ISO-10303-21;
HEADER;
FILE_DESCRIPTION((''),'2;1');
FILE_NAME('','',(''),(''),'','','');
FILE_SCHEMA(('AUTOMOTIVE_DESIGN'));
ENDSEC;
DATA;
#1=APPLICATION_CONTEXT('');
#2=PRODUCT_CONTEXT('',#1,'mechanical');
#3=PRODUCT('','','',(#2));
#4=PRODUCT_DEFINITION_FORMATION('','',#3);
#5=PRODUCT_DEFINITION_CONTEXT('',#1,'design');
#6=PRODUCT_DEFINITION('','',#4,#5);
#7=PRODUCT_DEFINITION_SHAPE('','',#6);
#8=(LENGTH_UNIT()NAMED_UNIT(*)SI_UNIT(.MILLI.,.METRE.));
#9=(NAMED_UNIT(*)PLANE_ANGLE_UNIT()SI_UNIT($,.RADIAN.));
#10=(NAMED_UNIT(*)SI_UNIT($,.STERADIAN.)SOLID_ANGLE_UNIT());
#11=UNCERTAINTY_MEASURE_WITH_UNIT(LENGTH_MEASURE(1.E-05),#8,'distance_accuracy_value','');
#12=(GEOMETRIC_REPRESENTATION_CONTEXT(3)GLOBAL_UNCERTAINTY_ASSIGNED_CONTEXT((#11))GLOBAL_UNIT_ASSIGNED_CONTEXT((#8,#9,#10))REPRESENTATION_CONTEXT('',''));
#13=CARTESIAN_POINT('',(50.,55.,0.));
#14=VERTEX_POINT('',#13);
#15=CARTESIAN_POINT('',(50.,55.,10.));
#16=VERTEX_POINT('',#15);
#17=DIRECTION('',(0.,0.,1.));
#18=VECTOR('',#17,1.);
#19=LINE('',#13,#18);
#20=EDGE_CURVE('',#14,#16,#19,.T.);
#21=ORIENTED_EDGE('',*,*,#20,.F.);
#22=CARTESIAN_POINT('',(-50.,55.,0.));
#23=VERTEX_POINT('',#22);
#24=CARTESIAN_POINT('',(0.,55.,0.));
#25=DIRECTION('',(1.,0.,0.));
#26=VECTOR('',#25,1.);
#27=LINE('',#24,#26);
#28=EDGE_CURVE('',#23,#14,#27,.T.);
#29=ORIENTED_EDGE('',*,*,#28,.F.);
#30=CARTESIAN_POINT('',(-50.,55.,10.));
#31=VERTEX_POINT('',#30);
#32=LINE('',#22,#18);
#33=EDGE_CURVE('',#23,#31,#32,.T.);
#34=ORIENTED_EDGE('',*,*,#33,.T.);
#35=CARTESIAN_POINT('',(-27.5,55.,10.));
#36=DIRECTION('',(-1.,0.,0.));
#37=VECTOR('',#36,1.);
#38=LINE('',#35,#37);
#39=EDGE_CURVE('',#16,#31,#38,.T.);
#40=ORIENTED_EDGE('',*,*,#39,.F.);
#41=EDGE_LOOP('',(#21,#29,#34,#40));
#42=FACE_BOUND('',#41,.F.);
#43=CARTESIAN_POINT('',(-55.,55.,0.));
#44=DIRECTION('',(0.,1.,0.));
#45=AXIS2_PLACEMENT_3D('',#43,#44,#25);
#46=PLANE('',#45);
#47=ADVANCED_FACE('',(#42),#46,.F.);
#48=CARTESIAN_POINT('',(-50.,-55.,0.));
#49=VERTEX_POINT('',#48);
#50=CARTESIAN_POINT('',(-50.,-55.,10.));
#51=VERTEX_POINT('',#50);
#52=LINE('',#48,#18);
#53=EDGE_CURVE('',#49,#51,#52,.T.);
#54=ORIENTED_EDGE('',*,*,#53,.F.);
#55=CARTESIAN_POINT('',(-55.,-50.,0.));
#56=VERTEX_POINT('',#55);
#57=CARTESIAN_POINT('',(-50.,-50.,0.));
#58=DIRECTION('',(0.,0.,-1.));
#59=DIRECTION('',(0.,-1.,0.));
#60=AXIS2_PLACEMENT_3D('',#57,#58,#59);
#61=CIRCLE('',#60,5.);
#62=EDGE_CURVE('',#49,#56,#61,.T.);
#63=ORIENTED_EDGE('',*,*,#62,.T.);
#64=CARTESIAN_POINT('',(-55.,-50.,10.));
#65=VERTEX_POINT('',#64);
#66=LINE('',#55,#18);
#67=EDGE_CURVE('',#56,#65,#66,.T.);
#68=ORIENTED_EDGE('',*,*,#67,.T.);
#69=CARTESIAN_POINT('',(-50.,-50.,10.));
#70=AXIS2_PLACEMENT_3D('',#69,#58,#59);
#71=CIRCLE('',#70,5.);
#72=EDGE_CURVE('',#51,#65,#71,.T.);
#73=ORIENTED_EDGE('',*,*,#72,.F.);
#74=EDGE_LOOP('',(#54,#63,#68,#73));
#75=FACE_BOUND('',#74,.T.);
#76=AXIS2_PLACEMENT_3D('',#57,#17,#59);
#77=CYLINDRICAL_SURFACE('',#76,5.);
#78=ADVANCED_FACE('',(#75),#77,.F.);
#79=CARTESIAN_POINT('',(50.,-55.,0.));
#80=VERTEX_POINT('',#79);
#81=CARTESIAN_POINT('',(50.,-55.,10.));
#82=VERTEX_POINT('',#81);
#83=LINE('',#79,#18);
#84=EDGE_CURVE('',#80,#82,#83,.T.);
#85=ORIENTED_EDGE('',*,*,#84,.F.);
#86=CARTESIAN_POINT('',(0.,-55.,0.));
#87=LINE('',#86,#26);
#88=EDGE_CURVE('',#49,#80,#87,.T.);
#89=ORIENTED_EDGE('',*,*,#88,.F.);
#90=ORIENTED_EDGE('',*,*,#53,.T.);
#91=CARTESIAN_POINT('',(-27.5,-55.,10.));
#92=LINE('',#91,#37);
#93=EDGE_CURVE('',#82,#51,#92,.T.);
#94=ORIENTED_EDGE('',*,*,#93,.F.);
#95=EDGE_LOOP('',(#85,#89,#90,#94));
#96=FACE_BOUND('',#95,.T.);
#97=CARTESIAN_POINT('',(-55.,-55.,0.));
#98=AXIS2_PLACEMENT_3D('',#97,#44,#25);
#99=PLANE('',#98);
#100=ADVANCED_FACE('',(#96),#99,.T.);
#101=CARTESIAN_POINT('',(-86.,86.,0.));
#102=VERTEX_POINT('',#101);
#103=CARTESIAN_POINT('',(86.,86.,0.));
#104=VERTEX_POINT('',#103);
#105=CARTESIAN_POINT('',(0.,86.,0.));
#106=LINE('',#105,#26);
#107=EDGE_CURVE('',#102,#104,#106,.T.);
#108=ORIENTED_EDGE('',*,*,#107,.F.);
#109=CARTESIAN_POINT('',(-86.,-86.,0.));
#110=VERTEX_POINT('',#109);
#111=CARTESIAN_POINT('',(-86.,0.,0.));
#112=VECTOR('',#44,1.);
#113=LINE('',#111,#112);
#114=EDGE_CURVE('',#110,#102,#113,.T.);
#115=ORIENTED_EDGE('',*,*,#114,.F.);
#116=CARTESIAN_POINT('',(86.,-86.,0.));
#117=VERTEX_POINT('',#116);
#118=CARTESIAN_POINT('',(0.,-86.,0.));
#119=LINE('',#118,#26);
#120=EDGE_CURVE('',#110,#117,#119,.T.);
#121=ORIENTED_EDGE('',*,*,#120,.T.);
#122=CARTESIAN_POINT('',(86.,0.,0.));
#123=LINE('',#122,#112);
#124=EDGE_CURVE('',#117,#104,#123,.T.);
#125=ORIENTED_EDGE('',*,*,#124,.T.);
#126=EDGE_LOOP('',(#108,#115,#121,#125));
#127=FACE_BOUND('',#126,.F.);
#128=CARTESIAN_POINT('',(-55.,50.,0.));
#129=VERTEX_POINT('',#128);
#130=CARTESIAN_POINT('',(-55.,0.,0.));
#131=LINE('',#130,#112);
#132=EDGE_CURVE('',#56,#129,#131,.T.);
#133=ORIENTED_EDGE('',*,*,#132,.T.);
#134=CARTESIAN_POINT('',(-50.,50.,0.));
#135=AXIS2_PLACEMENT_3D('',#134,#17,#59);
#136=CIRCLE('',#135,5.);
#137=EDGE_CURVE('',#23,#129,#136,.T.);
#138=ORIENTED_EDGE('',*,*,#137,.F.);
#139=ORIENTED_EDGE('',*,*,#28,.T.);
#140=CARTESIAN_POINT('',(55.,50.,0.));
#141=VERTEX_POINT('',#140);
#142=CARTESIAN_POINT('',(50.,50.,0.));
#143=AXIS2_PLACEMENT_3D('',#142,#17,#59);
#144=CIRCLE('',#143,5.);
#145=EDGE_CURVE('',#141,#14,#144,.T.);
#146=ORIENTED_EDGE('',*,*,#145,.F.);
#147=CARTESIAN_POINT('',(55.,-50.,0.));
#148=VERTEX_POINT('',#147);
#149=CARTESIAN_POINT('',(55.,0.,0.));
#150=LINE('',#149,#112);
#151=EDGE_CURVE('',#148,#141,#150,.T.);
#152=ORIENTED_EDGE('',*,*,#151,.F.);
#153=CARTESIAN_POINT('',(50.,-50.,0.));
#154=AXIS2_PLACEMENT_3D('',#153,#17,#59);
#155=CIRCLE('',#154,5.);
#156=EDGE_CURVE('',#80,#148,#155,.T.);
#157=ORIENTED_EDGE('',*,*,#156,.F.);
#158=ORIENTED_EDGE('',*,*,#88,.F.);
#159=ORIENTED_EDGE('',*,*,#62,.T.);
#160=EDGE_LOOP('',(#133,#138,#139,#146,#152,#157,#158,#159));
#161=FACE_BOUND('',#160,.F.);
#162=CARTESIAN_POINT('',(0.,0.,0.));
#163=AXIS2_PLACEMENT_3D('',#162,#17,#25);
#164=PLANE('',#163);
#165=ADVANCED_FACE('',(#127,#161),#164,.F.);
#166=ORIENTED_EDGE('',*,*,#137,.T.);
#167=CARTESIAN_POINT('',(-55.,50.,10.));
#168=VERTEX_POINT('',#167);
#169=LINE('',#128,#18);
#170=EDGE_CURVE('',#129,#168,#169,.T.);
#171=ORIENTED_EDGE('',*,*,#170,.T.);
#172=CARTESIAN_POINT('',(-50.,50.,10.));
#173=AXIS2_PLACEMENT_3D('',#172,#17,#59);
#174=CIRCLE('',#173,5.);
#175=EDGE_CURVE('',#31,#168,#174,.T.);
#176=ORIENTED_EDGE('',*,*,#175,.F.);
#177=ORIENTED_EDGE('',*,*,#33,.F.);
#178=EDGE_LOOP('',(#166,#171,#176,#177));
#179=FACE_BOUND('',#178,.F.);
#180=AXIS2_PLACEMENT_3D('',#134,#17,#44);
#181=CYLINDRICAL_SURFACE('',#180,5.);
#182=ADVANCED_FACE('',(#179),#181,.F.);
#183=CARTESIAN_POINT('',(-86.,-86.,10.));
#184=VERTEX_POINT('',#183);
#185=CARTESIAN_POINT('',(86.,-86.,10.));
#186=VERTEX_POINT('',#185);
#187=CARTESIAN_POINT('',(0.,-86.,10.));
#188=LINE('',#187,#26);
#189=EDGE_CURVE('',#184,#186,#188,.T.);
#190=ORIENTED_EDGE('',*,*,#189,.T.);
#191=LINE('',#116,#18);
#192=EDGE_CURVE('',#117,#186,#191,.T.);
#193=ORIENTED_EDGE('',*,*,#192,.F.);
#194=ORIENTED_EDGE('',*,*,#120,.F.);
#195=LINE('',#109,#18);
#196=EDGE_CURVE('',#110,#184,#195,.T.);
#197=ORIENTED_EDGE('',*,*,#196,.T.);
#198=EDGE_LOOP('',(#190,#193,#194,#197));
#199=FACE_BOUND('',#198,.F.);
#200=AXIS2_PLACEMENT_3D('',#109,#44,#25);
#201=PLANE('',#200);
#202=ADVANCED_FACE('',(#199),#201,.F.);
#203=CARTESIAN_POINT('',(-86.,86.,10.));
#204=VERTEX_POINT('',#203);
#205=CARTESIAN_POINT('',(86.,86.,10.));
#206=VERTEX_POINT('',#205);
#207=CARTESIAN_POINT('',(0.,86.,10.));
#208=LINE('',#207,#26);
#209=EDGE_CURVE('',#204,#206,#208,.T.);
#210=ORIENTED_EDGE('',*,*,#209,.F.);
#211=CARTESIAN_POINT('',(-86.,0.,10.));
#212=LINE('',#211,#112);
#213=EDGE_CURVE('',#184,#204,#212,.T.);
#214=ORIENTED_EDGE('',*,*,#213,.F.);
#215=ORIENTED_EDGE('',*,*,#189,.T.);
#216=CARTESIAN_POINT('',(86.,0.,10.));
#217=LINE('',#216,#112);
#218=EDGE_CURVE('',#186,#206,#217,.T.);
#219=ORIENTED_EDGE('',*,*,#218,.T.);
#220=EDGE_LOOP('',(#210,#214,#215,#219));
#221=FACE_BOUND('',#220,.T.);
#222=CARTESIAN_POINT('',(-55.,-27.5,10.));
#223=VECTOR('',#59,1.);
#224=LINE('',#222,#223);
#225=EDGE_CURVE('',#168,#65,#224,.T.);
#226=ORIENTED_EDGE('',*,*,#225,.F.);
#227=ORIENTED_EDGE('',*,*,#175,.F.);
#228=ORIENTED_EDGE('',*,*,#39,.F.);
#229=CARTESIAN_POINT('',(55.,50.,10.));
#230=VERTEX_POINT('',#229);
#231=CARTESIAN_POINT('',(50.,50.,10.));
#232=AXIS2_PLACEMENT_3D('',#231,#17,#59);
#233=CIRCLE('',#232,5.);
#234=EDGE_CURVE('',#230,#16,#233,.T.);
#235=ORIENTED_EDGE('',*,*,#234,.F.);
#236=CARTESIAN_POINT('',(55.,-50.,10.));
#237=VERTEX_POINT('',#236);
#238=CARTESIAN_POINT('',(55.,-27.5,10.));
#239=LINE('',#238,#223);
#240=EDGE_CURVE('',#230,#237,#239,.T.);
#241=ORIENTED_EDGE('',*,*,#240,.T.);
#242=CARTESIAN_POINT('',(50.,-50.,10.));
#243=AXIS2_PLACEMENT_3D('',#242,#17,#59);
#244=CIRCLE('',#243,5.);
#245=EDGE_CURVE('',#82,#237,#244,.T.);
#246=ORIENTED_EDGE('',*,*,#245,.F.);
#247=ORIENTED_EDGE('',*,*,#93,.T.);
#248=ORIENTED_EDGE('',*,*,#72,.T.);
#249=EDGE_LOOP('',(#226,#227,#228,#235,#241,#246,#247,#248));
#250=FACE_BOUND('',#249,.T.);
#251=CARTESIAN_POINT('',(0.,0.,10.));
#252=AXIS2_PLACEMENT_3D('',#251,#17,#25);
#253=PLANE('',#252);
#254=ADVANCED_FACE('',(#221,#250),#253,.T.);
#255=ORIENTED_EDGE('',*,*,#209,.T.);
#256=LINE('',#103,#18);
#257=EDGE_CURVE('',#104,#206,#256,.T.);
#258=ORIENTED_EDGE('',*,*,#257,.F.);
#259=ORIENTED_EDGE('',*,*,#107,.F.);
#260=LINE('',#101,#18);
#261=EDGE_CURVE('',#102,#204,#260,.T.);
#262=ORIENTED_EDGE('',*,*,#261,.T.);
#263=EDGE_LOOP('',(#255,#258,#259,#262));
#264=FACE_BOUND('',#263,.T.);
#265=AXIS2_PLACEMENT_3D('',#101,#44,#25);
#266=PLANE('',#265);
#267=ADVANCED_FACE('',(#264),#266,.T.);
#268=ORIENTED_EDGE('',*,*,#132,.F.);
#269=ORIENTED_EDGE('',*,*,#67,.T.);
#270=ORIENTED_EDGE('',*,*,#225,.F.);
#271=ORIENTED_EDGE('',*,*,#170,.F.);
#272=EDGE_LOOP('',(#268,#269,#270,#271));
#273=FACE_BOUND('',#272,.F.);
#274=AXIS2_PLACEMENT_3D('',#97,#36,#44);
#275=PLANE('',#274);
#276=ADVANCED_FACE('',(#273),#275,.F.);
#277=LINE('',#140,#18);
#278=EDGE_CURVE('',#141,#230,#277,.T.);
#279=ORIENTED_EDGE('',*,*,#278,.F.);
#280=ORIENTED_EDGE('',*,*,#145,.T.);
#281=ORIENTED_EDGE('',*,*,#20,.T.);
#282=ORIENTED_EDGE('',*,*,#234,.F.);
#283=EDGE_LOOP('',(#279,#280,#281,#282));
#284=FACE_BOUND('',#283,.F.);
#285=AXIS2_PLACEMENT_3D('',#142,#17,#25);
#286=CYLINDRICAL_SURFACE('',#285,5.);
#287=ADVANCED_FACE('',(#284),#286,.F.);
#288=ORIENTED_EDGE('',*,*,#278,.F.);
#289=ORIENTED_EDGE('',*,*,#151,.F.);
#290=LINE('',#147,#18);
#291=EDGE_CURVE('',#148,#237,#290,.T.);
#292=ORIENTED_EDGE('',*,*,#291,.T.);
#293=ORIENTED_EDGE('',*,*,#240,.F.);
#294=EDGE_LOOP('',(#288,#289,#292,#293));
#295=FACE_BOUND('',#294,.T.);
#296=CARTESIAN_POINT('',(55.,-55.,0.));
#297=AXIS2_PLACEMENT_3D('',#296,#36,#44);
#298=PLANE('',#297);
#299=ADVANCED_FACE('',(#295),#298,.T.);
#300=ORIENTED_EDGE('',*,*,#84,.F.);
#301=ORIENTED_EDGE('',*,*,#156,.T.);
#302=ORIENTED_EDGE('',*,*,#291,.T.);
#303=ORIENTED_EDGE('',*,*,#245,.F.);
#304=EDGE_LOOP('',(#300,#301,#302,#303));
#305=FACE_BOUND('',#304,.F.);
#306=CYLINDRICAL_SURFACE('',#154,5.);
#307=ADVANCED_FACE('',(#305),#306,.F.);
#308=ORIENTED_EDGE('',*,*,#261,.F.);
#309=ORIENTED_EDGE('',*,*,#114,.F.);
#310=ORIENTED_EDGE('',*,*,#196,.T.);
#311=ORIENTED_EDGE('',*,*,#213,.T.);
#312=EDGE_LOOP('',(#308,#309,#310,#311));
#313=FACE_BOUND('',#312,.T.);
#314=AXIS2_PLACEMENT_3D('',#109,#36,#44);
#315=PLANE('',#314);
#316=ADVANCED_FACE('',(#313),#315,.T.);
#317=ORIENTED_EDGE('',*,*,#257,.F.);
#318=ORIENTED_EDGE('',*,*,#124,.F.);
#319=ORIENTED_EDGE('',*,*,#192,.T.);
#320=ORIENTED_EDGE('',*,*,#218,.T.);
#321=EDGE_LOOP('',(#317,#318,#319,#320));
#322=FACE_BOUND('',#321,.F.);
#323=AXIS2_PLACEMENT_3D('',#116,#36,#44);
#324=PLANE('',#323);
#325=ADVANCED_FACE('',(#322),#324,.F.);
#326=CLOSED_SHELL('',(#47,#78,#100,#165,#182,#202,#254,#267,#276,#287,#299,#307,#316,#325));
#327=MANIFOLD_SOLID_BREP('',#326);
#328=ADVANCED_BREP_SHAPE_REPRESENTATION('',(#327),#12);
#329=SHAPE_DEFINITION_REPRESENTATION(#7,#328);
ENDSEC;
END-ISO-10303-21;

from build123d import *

# Parameters (mm, degrees)
F0_W     = 172
F0_H     = 172
F1_DEPTH = 10
F2_W     = 110
F2_H     = 110
F3_DEPTH = 45
F4_R     = 5


with BuildPart() as f1:
    # F0 (on Top) → F1 (new body)
    with BuildSketch(Plane.XY):
        Rectangle(F0_W, F0_H)
    extrude(amount=F1_DEPTH)

    # F2 (on Top) → F3 (cut)
    with BuildSketch(Plane.XY):
        Rectangle(F2_W, F2_H)
    extrude(amount=F3_DEPTH, mode=Mode.SUBTRACT)

    # F4
    f4_edges = [f1.edges().sort_by_distance(p)[0] for p in [
        (55, 55, 5),
        (55, -55, 5),
        (-55, -55, 5),
        (-55, 55, 5),
    ]]
    fillet(f4_edges, radius=F4_R)


solid = f1.part
